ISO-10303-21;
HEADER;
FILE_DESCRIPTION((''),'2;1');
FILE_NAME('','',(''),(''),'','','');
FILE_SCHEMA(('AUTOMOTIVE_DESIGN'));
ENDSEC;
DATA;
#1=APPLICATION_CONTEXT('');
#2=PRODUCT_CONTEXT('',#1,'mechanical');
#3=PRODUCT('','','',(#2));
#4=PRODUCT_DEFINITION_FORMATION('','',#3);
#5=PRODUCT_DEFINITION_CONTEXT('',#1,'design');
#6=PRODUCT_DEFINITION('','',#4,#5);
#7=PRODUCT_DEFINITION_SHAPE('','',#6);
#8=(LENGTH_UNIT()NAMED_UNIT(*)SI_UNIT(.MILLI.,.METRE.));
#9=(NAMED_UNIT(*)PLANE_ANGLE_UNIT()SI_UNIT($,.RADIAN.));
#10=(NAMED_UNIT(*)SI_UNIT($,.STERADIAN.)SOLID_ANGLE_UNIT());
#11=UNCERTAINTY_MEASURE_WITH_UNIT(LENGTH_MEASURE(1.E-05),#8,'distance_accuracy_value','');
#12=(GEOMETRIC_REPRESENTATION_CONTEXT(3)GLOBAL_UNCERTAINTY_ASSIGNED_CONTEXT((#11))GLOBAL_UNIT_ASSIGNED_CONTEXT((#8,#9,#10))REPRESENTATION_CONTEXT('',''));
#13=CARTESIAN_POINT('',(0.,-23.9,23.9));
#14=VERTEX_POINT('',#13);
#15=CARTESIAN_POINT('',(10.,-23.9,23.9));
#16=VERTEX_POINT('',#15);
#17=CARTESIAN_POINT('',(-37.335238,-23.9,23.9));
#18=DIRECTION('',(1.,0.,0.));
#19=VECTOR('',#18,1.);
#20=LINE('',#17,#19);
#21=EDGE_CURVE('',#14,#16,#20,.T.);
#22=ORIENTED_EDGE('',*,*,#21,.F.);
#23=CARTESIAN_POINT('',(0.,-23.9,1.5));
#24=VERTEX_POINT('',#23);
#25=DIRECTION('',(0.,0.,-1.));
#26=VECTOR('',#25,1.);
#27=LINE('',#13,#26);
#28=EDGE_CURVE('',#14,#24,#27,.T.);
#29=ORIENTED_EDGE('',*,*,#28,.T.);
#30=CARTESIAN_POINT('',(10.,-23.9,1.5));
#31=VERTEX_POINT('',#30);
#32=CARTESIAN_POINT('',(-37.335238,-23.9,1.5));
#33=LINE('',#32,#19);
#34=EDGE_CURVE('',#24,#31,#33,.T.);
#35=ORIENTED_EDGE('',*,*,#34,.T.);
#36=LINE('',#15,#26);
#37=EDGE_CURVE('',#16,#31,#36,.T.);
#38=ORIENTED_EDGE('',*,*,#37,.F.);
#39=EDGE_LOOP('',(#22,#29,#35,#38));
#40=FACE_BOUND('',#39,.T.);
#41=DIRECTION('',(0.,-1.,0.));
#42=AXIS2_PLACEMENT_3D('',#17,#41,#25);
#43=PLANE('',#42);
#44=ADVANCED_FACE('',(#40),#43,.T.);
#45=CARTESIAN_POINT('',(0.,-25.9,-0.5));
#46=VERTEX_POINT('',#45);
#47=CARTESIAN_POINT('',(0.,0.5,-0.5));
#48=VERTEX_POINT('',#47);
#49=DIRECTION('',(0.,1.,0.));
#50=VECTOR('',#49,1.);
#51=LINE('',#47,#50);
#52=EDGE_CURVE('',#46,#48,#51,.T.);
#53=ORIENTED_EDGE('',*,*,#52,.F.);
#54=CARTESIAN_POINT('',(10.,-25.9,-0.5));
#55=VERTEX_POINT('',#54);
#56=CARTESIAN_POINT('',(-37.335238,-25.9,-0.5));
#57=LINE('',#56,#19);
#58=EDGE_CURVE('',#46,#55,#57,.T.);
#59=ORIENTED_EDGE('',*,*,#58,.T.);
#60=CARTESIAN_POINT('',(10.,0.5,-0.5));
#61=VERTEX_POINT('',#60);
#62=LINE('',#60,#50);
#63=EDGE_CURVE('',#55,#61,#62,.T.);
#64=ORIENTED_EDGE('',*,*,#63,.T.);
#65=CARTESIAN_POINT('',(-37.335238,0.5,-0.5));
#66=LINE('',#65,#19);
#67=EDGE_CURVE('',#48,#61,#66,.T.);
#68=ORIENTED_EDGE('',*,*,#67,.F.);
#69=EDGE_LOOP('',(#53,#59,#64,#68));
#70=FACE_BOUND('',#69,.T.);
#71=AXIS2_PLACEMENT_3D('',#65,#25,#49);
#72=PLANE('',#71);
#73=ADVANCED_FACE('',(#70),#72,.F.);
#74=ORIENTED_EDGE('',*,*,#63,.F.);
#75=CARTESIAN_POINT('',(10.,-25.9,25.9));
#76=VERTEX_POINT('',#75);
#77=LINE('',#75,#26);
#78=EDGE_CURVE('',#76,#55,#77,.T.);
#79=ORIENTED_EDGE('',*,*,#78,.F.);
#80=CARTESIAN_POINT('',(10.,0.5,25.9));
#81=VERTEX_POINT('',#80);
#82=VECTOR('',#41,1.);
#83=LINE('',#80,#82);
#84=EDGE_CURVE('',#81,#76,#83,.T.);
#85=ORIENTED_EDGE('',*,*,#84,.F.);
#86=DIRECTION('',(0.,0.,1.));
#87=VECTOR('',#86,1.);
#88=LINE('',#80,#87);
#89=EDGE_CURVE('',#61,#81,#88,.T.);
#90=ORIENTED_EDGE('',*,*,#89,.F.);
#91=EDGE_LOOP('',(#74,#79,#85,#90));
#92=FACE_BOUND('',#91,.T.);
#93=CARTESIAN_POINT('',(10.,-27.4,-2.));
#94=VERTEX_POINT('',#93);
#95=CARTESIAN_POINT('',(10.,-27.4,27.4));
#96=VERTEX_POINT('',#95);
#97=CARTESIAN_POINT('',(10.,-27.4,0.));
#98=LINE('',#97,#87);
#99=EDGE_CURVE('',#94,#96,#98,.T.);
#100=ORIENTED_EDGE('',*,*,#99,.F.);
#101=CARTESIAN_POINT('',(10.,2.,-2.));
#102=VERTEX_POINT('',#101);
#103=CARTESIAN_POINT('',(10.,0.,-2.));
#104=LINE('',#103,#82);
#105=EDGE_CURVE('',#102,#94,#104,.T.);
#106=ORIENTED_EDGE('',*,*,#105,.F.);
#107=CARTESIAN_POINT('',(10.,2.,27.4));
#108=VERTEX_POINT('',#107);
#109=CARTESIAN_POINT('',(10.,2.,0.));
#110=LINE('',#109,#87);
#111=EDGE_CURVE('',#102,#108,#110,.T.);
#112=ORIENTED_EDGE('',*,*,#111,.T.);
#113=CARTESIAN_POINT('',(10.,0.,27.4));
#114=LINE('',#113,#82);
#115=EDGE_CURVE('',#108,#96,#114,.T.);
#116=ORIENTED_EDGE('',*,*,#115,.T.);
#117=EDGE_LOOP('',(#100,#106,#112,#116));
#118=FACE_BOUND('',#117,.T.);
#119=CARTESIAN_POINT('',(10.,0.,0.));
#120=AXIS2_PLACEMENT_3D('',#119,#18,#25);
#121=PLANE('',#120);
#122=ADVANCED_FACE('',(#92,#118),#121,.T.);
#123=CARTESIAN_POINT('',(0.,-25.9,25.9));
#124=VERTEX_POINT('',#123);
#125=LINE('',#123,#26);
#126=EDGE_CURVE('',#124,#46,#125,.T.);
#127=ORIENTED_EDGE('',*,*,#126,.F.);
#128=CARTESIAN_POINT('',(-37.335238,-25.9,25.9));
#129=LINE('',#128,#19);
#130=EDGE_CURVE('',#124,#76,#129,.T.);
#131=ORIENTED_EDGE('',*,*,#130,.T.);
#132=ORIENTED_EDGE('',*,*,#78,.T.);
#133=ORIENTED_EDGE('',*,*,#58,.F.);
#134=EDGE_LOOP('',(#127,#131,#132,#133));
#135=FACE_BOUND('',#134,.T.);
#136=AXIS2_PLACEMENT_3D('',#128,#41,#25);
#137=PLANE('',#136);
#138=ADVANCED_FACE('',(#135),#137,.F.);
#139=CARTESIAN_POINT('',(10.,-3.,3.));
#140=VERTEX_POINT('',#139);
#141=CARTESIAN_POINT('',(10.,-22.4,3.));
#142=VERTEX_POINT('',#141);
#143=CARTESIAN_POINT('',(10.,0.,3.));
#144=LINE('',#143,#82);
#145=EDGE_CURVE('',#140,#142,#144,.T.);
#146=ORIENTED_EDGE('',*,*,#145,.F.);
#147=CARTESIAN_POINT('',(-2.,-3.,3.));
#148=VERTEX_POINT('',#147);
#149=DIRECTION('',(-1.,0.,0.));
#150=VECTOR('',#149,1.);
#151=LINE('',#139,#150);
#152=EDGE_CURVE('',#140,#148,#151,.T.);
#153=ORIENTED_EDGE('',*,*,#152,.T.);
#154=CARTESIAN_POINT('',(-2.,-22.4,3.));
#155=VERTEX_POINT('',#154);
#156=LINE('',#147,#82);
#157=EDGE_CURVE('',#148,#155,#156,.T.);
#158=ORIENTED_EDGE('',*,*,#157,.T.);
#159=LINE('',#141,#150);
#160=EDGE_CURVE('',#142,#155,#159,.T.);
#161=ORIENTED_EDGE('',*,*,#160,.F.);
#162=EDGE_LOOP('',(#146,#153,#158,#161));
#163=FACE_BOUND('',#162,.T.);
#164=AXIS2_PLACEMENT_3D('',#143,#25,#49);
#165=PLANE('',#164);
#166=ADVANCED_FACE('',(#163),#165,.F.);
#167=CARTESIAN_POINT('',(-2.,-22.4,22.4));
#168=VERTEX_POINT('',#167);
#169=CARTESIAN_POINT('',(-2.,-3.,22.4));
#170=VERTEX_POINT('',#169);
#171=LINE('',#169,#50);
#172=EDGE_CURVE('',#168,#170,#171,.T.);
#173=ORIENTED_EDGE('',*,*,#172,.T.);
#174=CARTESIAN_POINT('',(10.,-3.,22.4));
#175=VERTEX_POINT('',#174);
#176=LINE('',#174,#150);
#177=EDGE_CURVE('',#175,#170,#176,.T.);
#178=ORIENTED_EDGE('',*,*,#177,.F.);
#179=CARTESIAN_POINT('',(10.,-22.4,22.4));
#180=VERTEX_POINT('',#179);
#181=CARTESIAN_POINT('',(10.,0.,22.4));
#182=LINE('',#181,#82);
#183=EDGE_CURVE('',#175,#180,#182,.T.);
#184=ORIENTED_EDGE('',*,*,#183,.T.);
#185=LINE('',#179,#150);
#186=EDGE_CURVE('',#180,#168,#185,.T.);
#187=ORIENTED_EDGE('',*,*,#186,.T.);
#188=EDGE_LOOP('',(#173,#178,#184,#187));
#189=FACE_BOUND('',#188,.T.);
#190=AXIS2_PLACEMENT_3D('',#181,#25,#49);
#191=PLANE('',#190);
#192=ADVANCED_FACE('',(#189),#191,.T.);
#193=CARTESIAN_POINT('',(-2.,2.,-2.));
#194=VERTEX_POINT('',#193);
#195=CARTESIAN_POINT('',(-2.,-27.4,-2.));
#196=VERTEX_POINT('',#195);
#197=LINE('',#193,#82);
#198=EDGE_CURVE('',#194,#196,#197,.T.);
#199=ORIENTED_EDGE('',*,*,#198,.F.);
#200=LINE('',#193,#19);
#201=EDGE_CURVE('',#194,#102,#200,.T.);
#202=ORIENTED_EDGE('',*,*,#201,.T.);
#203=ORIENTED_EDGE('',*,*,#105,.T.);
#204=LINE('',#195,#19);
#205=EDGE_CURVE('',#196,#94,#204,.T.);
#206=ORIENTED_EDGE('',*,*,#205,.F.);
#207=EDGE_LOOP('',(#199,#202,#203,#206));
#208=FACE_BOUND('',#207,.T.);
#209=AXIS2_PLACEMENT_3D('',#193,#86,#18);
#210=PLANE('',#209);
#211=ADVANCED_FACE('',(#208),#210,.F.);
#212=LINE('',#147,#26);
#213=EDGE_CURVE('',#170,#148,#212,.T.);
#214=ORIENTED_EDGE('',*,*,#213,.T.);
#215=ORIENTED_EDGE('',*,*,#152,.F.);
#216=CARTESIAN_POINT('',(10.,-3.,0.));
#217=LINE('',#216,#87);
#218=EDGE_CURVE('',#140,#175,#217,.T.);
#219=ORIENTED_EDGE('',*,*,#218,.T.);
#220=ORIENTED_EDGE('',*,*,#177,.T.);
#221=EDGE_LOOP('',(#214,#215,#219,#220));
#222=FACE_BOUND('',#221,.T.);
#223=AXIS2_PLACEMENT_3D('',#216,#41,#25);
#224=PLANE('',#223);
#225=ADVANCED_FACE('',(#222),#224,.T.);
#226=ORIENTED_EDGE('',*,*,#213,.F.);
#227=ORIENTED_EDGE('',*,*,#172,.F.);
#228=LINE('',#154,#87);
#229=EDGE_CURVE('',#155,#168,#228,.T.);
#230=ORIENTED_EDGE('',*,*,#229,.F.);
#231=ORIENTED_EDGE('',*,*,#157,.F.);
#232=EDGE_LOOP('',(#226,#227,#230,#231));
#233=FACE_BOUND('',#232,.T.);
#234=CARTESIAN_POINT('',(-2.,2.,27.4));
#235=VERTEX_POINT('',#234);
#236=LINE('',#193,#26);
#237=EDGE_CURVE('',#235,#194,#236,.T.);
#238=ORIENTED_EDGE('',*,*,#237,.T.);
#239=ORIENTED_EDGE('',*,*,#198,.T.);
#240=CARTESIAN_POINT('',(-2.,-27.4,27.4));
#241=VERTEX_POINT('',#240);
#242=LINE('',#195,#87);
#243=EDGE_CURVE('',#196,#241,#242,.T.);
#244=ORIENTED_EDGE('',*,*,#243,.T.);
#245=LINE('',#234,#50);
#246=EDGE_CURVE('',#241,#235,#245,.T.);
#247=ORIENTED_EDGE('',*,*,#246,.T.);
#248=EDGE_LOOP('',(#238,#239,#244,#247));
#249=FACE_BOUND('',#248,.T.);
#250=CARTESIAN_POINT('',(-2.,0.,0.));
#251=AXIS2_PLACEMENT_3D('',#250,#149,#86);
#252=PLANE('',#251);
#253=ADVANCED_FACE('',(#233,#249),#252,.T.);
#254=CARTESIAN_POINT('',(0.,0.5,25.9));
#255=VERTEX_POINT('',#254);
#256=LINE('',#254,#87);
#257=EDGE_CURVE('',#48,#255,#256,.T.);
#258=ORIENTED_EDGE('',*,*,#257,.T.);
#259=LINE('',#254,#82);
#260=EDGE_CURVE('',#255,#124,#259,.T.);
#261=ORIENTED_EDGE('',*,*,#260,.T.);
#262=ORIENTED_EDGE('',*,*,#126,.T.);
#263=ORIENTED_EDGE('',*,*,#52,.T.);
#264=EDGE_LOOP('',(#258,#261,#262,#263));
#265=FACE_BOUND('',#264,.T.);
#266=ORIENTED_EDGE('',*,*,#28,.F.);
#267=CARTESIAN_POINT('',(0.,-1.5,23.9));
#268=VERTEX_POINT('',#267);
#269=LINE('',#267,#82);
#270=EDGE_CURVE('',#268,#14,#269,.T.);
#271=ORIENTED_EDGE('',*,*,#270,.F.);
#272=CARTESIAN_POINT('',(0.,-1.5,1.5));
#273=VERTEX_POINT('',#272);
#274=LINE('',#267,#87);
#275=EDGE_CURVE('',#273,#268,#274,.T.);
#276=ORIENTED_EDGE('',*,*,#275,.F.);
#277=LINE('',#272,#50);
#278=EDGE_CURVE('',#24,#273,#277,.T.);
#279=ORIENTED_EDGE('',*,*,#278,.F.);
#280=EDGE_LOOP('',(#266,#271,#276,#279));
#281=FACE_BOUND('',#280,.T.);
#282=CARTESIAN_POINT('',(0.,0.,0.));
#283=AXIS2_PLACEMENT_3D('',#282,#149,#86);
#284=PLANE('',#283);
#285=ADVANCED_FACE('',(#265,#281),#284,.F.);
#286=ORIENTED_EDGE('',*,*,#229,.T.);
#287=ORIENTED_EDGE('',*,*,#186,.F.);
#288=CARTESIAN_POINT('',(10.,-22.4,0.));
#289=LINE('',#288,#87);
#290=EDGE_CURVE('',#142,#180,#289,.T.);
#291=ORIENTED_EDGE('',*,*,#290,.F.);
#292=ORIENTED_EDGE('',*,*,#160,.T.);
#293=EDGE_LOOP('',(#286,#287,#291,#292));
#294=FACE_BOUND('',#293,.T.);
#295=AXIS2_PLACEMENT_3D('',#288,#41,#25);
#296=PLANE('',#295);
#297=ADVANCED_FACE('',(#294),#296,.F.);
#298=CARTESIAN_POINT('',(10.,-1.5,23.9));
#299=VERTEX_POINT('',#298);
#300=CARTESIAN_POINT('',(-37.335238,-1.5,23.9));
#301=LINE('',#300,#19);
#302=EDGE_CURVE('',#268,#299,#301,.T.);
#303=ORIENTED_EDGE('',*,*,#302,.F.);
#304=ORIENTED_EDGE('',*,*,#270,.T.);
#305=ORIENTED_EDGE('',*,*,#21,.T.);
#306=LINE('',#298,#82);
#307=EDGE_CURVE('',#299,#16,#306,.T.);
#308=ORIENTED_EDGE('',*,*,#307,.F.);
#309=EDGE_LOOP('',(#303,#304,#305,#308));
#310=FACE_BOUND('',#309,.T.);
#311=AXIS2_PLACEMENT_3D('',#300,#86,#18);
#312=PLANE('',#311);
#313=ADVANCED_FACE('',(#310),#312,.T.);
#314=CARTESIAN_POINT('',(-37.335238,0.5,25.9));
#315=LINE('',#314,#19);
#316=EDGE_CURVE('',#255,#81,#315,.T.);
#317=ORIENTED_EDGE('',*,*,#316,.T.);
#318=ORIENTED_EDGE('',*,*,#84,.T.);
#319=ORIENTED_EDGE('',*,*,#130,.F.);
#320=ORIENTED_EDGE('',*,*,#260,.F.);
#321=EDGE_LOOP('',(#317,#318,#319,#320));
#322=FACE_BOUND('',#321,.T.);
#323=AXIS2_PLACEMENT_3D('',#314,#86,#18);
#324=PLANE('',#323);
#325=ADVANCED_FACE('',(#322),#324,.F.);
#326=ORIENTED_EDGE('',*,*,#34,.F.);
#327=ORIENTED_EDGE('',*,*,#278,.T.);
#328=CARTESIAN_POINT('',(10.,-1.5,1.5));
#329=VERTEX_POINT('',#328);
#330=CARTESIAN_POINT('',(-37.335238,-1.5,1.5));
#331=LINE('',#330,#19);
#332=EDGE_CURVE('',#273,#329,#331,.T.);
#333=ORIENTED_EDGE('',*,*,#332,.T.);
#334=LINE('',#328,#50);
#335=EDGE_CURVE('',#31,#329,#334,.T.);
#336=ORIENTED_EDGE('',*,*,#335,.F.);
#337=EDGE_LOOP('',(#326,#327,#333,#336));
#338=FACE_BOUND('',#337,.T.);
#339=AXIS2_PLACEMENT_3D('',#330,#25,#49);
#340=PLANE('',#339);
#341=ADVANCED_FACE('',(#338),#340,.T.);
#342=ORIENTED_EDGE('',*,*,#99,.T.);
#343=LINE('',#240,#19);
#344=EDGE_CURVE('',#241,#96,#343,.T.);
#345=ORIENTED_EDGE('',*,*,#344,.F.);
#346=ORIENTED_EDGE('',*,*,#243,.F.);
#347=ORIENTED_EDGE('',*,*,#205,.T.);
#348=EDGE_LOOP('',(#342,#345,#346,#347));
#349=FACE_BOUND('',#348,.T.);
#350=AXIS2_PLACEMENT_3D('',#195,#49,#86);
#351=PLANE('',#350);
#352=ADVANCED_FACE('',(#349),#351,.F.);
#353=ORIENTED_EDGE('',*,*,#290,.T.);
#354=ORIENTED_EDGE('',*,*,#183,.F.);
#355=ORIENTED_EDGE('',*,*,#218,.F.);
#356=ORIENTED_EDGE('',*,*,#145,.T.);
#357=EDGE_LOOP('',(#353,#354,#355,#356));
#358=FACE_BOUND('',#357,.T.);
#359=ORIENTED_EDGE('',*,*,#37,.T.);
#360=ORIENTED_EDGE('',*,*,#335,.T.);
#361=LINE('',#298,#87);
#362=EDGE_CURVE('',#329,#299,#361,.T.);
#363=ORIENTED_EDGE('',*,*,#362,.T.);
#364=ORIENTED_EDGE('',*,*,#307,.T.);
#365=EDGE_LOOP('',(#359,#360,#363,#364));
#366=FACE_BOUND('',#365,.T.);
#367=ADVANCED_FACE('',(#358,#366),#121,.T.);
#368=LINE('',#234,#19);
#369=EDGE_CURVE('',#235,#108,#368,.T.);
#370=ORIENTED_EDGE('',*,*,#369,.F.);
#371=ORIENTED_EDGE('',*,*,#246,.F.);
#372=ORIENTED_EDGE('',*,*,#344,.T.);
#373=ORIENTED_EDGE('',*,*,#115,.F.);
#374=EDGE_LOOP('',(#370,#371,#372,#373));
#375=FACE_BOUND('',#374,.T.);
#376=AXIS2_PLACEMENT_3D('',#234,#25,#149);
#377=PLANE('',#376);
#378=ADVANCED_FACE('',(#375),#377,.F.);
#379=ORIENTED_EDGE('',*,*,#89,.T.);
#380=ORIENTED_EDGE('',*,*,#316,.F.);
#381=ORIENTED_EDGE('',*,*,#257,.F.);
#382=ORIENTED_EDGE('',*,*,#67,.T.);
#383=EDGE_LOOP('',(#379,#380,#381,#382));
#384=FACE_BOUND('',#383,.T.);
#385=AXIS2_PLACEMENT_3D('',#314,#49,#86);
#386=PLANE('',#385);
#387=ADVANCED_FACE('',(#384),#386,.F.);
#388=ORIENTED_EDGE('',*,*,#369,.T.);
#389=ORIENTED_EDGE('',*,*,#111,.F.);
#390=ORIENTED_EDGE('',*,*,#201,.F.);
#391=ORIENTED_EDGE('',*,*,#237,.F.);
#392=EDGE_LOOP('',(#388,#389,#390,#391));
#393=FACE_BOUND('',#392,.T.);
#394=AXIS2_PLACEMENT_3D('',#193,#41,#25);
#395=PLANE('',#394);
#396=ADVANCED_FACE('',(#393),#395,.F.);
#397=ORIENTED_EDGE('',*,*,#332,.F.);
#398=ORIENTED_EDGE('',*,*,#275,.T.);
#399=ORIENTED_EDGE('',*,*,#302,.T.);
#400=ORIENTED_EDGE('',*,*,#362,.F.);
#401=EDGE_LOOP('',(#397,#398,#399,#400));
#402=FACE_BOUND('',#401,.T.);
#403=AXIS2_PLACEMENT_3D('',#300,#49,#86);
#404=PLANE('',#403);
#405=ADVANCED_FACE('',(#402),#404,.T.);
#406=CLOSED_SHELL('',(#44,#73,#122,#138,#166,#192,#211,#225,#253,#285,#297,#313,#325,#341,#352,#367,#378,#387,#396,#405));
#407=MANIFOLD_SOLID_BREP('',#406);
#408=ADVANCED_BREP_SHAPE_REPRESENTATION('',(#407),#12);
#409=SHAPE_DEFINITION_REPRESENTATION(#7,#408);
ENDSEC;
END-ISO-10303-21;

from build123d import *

# Parameters (mm, degrees)
CROQUIS2_W                = 23.4
CROQUIS2_H                = 23.4
CROQUIS2_W_2              = 19.4
CROQUIS2_H_2              = 19.4
SALIENTE_EXTRUIR1_DEPTH   = 10
CROQUIS2_W_3              = 29.4
CROQUIS2_H_3              = 29.4
CROQUIS2_W_4              = 25.4
CROQUIS2_H_4              = 25.4
SALIENTE_EXTRUIR1_2_DEPTH = 10
CROQUIS3_W                = 29.4
CROQUIS3_H                = 29.4
CROQUIS3_W_2              = 19.4
CROQUIS3_H_2              = 19.4
SALIENTE_EXTRUIR2_DEPTH   = 2
CROQUIS4_W                = 26.4
CROQUIS4_H                = 26.4
CROQUIS4_W_2              = 22.4
CROQUIS4_H_2              = 22.4
CORTAR_EXTRUIR1_DEPTH     = 10


with BuildPart() as part:
    # Croquis2 → Saliente-Extruir1 (new body)
    with BuildSketch(Plane(origin=(0, 0, 0), x_dir=(0, 0, -1), z_dir=(1, 0, 0))):
        with Locations((-12.7, -12.7)):
            Rectangle(CROQUIS2_W, CROQUIS2_H)
        with Locations((-12.7, -12.7)):
            Rectangle(CROQUIS2_W_2, CROQUIS2_H_2, mode=Mode.SUBTRACT)
    extrude(amount=SALIENTE_EXTRUIR1_DEPTH)



with BuildPart() as body_2:
    # Croquis2 → Saliente-Extruir1 2 (new body)
    with BuildSketch(Plane(origin=(0, 0, 0), x_dir=(0, 0, -1), z_dir=(1, 0, 0))):
        with Locations((-12.7, -12.7)):
            Rectangle(CROQUIS2_W_3, CROQUIS2_H_3)
        with Locations((-12.7, -12.7)):
            Rectangle(CROQUIS2_W_4, CROQUIS2_H_4, mode=Mode.SUBTRACT)
    extrude(amount=SALIENTE_EXTRUIR1_2_DEPTH)


with BuildPart() as part_1:
    add(part.part)

    add(body_2.part)  # Saliente-Extruir2 merges body 2
    # Croquis3 → Saliente-Extruir2 (add)
    with BuildSketch(Plane.ZY):
        with Locations((12.7, -12.7)):
            Rectangle(CROQUIS3_W, CROQUIS3_H)
        with Locations((12.7, -12.7)):
            Rectangle(CROQUIS3_W_2, CROQUIS3_H_2, mode=Mode.SUBTRACT)
    extrude(amount=SALIENTE_EXTRUIR2_DEPTH)

    # Croquis4 → Cortar-Extruir1 (cut)
    with BuildSketch(Plane(origin=(10, 0, 0), x_dir=(0, 0, -1), z_dir=(1, 0, 0))):
        with Locations((-12.7, -12.7)):
            Rectangle(CROQUIS4_W, CROQUIS4_H)
        with Locations((-12.7, -12.7)):
            Rectangle(CROQUIS4_W_2, CROQUIS4_H_2, mode=Mode.SUBTRACT)
    extrude(amount=-CORTAR_EXTRUIR1_DEPTH, mode=Mode.SUBTRACT)


solid = part_1.part
